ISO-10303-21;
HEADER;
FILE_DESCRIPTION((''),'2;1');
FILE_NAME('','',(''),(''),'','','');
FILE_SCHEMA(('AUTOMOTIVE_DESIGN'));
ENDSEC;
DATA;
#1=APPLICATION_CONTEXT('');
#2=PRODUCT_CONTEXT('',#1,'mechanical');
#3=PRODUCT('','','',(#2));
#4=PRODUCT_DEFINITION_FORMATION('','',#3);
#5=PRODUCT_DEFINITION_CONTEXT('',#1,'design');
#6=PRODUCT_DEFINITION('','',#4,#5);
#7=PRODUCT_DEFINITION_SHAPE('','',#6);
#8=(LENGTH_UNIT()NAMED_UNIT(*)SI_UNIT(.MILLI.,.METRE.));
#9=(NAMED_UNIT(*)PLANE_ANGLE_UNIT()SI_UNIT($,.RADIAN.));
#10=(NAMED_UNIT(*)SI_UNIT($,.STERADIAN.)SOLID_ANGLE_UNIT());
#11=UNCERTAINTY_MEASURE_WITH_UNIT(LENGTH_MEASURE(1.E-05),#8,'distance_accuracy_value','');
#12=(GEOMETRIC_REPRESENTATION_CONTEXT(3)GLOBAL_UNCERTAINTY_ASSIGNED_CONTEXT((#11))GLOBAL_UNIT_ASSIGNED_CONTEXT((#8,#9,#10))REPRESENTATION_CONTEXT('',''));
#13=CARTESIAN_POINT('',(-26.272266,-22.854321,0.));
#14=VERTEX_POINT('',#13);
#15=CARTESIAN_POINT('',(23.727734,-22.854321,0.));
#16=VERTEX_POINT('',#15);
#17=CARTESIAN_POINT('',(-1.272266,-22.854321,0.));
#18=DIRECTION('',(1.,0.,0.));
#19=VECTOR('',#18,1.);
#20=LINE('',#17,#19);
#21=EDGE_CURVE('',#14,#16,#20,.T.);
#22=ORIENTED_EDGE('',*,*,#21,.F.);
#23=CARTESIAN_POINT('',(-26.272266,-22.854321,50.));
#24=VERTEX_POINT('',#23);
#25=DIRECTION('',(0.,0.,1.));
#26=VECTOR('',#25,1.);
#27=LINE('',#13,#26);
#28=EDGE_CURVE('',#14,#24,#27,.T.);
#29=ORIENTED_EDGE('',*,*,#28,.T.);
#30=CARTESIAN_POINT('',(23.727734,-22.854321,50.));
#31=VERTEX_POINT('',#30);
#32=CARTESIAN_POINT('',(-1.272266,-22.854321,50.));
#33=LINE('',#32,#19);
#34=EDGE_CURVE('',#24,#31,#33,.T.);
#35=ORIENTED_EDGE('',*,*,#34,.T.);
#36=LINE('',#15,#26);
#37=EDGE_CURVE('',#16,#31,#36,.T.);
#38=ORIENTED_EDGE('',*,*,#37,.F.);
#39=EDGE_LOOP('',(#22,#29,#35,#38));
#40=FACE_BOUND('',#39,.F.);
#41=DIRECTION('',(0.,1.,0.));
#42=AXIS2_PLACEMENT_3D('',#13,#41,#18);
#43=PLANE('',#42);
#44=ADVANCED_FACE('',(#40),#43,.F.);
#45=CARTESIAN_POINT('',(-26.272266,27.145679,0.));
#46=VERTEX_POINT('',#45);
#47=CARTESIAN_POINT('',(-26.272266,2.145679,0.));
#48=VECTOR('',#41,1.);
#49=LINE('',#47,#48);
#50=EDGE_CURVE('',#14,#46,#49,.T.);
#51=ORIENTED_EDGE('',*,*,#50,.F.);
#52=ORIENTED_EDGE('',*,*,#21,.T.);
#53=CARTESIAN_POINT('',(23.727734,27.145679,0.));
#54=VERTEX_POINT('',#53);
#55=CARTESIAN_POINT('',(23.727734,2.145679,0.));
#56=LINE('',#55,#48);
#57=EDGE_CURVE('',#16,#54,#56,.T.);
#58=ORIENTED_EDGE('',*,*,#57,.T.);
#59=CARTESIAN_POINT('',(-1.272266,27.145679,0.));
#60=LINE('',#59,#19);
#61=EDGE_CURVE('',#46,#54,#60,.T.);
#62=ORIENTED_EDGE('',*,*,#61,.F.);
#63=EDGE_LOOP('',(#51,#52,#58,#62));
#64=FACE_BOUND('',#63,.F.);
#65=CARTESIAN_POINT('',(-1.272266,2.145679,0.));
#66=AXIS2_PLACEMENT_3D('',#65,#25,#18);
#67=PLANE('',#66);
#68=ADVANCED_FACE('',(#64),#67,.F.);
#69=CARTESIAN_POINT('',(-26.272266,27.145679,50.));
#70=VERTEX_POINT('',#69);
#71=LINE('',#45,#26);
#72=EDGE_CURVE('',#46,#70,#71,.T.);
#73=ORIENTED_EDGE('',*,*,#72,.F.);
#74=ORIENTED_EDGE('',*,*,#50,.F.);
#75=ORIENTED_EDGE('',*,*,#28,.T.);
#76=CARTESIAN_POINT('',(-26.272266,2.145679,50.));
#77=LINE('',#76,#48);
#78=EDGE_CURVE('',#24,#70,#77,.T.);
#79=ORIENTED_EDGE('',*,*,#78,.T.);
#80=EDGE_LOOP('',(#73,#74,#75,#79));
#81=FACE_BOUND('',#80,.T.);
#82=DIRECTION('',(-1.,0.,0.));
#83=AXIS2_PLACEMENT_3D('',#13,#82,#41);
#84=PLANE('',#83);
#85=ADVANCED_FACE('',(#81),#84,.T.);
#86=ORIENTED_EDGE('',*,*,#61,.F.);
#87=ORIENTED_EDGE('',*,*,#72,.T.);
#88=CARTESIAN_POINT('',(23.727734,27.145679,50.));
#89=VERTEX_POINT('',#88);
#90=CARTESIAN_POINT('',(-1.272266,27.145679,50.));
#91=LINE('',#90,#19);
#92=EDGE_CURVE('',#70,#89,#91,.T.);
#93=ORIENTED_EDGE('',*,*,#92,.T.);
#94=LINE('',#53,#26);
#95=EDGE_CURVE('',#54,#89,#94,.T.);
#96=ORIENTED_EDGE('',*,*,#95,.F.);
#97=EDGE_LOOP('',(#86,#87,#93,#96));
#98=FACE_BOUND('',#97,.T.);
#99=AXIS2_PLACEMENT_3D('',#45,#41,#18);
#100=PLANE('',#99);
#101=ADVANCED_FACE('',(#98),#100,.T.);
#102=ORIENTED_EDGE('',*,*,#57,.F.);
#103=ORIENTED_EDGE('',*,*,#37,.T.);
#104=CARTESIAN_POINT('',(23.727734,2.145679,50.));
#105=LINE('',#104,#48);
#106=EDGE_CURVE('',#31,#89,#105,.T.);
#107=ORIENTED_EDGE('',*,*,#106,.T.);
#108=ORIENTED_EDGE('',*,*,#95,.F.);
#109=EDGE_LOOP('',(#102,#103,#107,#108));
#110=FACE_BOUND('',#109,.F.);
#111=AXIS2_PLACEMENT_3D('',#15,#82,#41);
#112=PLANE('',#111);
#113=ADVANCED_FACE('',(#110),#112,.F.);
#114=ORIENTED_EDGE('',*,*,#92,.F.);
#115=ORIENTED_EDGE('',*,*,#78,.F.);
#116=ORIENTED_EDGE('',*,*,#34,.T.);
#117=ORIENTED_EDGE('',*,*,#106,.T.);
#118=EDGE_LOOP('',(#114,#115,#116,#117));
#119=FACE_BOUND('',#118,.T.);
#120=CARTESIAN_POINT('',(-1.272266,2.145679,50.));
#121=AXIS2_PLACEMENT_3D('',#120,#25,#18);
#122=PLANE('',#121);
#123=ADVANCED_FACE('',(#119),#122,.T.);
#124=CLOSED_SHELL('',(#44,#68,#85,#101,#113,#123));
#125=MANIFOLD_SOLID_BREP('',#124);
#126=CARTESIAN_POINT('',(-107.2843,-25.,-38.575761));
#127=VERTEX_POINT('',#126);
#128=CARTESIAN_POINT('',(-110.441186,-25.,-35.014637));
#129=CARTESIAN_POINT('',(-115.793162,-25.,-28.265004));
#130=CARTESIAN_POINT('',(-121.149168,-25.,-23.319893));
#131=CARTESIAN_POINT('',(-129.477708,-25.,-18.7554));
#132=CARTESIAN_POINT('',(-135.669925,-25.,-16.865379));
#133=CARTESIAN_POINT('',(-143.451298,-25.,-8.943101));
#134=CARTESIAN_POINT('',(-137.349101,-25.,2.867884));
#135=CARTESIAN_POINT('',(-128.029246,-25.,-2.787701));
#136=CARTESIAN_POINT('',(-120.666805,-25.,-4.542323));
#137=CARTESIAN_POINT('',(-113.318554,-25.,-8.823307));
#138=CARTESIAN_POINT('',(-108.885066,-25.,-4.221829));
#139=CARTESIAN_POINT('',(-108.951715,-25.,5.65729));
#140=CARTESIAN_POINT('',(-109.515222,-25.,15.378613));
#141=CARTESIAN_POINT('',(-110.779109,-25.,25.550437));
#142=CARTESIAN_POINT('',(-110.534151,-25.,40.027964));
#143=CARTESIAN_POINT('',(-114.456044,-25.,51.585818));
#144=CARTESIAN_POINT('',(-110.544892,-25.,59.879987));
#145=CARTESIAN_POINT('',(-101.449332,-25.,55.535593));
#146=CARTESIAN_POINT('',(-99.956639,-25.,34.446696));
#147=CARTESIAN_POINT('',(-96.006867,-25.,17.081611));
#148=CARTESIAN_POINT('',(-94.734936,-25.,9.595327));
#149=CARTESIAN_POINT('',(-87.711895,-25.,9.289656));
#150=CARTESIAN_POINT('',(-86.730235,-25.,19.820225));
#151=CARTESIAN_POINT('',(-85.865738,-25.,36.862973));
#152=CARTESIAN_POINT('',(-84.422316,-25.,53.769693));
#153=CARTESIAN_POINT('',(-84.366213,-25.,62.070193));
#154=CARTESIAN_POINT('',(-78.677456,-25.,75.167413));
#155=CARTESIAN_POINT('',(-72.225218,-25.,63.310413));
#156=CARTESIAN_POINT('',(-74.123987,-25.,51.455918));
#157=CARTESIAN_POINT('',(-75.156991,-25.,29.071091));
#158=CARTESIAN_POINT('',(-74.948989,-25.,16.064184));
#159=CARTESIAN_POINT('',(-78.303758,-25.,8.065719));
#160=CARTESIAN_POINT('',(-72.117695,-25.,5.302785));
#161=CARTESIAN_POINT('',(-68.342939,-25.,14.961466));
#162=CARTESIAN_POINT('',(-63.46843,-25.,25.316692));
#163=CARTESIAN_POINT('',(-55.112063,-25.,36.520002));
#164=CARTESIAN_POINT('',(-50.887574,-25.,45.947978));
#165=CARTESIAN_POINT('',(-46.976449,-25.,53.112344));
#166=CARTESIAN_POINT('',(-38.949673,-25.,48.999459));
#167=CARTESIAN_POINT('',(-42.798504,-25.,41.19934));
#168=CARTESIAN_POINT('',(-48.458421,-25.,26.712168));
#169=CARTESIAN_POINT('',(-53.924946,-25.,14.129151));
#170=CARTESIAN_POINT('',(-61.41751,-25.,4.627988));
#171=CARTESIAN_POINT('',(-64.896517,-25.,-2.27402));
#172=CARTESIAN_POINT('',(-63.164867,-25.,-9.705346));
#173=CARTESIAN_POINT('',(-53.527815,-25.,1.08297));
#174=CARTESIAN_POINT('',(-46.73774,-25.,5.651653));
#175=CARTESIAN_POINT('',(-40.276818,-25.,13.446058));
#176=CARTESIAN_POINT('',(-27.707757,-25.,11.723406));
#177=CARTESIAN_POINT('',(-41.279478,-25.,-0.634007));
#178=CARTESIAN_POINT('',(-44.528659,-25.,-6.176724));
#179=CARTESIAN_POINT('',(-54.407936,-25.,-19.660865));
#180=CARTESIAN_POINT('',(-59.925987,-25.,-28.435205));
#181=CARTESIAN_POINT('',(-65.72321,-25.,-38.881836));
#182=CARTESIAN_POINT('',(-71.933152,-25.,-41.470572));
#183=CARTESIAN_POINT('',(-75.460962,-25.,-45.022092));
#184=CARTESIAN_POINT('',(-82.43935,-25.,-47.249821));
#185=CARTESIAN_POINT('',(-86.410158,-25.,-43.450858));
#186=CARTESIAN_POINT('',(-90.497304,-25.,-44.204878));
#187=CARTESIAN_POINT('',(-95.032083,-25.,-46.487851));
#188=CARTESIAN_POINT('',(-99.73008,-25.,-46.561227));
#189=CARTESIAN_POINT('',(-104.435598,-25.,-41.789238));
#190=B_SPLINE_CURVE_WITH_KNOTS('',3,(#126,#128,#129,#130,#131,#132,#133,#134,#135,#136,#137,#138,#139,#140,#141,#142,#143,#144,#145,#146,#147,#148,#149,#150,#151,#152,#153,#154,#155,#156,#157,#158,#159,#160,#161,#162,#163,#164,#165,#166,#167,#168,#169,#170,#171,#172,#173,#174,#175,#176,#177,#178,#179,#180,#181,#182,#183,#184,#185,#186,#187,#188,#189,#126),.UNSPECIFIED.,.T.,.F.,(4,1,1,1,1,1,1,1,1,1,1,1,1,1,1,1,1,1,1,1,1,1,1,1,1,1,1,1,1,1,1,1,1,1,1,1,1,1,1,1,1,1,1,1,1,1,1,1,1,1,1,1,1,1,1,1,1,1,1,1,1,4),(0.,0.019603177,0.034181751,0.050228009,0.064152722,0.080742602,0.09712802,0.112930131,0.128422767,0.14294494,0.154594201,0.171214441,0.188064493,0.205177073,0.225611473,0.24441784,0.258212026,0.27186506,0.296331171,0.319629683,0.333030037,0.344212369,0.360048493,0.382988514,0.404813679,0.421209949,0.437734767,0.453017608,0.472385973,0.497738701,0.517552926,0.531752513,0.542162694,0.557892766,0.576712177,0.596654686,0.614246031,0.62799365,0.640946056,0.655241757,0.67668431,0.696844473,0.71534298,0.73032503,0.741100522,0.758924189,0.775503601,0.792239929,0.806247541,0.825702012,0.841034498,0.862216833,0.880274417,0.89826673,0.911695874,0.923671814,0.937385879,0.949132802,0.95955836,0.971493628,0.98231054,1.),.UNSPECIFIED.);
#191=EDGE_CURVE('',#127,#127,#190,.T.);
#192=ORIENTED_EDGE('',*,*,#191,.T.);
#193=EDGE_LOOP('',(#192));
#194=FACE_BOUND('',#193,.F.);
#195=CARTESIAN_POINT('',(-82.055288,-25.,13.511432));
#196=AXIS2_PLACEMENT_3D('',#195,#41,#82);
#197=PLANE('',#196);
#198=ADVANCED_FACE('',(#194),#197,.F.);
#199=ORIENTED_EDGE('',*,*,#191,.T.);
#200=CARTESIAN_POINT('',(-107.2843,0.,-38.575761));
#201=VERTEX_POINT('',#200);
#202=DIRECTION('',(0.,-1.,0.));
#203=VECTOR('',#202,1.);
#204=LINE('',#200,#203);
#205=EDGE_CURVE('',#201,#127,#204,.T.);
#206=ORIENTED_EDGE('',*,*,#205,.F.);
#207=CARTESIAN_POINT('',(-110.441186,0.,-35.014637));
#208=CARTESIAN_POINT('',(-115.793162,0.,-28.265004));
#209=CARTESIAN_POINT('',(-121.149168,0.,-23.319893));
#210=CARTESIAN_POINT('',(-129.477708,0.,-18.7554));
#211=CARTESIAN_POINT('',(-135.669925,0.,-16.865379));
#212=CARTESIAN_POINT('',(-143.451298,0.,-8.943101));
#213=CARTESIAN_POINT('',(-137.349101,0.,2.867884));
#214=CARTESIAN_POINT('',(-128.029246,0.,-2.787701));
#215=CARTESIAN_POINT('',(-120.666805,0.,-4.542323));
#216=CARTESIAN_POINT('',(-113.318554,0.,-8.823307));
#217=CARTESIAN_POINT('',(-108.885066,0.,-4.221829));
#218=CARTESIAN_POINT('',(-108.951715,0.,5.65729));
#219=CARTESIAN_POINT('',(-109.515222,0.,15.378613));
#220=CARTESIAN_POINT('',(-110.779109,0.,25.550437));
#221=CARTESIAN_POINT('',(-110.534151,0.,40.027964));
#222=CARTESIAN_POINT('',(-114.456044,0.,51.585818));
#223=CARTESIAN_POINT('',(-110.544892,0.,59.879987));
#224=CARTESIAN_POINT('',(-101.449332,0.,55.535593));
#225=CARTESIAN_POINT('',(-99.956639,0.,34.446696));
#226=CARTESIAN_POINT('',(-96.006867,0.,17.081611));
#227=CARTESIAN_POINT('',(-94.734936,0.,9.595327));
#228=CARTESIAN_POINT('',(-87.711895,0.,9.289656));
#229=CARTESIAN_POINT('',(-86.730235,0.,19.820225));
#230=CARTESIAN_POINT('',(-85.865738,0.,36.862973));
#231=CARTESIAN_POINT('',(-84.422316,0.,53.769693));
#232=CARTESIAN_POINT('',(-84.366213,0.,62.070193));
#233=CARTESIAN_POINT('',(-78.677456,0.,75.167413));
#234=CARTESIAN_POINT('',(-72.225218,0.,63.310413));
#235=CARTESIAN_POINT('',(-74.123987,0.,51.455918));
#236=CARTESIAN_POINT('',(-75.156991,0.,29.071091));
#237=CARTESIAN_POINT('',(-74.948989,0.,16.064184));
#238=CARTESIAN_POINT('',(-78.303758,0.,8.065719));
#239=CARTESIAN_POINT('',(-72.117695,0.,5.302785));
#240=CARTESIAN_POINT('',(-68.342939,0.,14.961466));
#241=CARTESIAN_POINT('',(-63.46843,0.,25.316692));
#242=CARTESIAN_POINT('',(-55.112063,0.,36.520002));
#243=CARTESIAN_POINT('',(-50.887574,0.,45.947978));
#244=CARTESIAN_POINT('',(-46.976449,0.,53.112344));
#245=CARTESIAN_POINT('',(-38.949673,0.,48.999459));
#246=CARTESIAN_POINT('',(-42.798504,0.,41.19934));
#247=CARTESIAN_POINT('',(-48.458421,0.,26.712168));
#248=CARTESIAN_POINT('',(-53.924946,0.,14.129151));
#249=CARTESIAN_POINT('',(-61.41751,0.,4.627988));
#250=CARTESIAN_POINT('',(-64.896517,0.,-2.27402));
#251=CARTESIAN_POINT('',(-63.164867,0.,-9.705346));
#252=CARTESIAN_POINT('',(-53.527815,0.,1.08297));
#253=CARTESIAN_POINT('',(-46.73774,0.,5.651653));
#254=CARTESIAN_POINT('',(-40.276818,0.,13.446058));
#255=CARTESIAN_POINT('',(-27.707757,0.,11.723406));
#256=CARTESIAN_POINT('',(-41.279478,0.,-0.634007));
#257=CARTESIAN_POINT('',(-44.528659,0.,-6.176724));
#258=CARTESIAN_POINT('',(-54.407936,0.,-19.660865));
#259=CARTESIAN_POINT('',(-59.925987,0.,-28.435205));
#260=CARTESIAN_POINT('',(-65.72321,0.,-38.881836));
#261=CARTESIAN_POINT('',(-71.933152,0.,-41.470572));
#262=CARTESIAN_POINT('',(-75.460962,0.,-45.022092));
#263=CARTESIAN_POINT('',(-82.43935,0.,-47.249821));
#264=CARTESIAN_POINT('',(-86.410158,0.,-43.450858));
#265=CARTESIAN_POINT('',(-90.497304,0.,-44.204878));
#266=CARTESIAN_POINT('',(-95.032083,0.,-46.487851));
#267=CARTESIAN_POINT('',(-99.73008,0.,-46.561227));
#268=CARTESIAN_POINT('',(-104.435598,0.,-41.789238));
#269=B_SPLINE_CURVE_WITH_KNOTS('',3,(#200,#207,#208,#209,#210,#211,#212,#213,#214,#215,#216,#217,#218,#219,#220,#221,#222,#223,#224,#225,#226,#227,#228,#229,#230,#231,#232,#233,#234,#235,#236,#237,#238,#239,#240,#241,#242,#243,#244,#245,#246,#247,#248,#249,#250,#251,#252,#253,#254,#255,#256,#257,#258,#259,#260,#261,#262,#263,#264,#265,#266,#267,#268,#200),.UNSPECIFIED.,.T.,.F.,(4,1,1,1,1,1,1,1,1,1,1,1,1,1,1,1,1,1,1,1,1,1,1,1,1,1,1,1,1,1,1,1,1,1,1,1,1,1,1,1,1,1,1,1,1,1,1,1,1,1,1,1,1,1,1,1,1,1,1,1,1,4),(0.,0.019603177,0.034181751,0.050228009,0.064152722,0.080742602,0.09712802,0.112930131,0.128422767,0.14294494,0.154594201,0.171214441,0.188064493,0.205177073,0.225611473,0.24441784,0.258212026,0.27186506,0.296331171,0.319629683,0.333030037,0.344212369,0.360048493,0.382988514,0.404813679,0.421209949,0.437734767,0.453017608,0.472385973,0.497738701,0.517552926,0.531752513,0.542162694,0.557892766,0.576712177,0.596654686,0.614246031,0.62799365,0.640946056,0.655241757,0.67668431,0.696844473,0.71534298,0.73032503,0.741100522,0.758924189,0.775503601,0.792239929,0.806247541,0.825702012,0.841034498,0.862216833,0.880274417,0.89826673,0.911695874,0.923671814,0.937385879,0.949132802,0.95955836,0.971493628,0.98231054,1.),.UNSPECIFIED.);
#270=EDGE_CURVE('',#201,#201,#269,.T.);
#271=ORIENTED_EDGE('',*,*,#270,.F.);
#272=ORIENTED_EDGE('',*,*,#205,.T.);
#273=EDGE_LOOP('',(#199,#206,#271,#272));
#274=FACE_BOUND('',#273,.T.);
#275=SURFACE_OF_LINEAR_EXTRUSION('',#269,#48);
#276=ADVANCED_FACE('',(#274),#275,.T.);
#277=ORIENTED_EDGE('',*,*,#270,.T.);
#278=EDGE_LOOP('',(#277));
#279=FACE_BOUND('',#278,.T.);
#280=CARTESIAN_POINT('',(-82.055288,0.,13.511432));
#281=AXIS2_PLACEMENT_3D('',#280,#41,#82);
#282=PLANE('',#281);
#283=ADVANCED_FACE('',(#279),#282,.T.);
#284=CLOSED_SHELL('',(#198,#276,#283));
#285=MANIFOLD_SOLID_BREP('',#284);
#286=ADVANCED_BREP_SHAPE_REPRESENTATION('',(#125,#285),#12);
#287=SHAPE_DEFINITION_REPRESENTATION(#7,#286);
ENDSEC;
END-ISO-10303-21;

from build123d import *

# Parameters (mm, degrees)
F0_W     = 50
F0_H     = 50
F1_DEPTH = 50
F3_DEPTH = 25


with BuildPart() as f1:
    # F0 (on Top) → F1 (new body)
    with BuildSketch(Plane.XY):
        with Locations((-1.2722663581, 2.1456792951)):
            Rectangle(F0_W, F0_H)
    extrude(amount=F1_DEPTH)


with BuildPart() as f3:
    # F2 (on Front) → F3 (new body)
    with BuildSketch(Plane.XZ):
        with BuildLine():
            add(Edge.make_bspline(
                [(-107.2843000293, -38.5757610202), (-110.441185834, -35.0146368037), (-115.793161521, -28.2650043201), (-121.14916768, -23.3198926646), (-129.4777081111, -18.7554002686), (-135.6699250133, -16.865379364), (-143.4512975568, -8.9431011054), (-137.3491013025, 2.8678838806), (-128.0292455304, -2.7877011262), (-120.6668049385, -4.5423233927), (-113.318553561, -8.8233070618), (-108.885066266, -4.221828899), (-108.9517151704, 5.6572900751), (-109.515221894, 15.3786134954), (-110.7791086419, 25.5504373075), (-110.5341508944, 40.0279639488), (-114.4560436609, 51.5858184351), (-110.5448918617, 59.8799865223), (-101.4493322424, 55.5355927461), (-99.956638833, 34.4466963036), (-96.0068665343, 17.0816107417), (-94.7349358351, 9.595327307), (-87.7118947011, 9.289655535), (-86.7302346841, 19.8202246936), (-85.8657383892, 36.8629733452), (-84.4223164964, 53.7696929985), (-84.36621299, 62.070192614), (-78.6774556024, 75.1674132936), (-72.2252184766, 63.3104129064), (-74.1239865373, 51.455917814), (-75.1569910548, 29.0710913968), (-74.948989219, 16.0641836078), (-78.3037576945, 8.0657192256), (-72.1176947948, 5.3027849207), (-68.3429387668, 14.9614662248), (-63.4684299143, 25.316692038), (-55.1120625573, 36.5200022146), (-50.887574339, 45.9479782369), (-46.9764492678, 53.1123436582), (-38.9496728658, 48.9994591349), (-42.7985039744, 41.199340475), (-48.4584214041, 26.7121679441), (-53.9249458265, 14.1291506716), (-61.4175097443, 4.6279878923), (-64.8965174356, -2.2740203626), (-63.1648671638, -9.7053457661), (-53.5278153625, 1.0829696506), (-46.7377402209, 5.6516531402), (-40.2768179298, 13.4460575385), (-27.7077568747, 11.7234063388), (-41.2794784488, -0.6340070117), (-44.5286589854, -6.1767238204), (-54.4079358005, -19.6608651626), (-59.9259870706, -28.4352047913), (-65.7232099567, -38.8818358132), (-71.9331522979, -41.4705720796), (-75.4609622868, -45.0220919251), (-82.4393495435, -47.2498208972), (-86.4101576977, -43.4508578716), (-90.4973035401, -44.2048777855), (-95.032083464, -46.4878514933), (-99.7300800515, -46.5612267073), (-104.4355982817, -41.7892382907), (-107.2843000293, -38.5757610202)],
                knots=[0, 0, 0, 0, 0.0196031774, 0.034181751, 0.0502280092, 0.0641527218, 0.0807426018, 0.0971280204, 0.1129301309, 0.1284227671, 0.1429449396, 0.1545942007, 0.1712144409, 0.1880644927, 0.2051770729, 0.2256114733, 0.2444178402, 0.2582120261, 0.2718650602, 0.2963311715, 0.3196296835, 0.3330300369, 0.3442123692, 0.3600484932, 0.3829885144, 0.404813679, 0.4212099487, 0.4377347666, 0.4530176076, 0.4723859727, 0.4977387006, 0.517552926, 0.5317525128, 0.5421626935, 0.5578927663, 0.576712177, 0.5966546857, 0.6142460305, 0.6279936501, 0.6409460564, 0.6552417568, 0.6766843101, 0.6968444731, 0.7153429804, 0.7303250298, 0.7411005216, 0.758924189, 0.7755036006, 0.7922399291, 0.8062475411, 0.8257020117, 0.8410344982, 0.8622168331, 0.8802744168, 0.8982667299, 0.9116958739, 0.9236718144, 0.9373858795, 0.9491328017, 0.9595583598, 0.9714936283, 0.9823105398, 1, 1, 1, 1], degree=3))
        make_face()
    extrude(amount=F3_DEPTH)


solid = Compound([f1.part, f3.part])
